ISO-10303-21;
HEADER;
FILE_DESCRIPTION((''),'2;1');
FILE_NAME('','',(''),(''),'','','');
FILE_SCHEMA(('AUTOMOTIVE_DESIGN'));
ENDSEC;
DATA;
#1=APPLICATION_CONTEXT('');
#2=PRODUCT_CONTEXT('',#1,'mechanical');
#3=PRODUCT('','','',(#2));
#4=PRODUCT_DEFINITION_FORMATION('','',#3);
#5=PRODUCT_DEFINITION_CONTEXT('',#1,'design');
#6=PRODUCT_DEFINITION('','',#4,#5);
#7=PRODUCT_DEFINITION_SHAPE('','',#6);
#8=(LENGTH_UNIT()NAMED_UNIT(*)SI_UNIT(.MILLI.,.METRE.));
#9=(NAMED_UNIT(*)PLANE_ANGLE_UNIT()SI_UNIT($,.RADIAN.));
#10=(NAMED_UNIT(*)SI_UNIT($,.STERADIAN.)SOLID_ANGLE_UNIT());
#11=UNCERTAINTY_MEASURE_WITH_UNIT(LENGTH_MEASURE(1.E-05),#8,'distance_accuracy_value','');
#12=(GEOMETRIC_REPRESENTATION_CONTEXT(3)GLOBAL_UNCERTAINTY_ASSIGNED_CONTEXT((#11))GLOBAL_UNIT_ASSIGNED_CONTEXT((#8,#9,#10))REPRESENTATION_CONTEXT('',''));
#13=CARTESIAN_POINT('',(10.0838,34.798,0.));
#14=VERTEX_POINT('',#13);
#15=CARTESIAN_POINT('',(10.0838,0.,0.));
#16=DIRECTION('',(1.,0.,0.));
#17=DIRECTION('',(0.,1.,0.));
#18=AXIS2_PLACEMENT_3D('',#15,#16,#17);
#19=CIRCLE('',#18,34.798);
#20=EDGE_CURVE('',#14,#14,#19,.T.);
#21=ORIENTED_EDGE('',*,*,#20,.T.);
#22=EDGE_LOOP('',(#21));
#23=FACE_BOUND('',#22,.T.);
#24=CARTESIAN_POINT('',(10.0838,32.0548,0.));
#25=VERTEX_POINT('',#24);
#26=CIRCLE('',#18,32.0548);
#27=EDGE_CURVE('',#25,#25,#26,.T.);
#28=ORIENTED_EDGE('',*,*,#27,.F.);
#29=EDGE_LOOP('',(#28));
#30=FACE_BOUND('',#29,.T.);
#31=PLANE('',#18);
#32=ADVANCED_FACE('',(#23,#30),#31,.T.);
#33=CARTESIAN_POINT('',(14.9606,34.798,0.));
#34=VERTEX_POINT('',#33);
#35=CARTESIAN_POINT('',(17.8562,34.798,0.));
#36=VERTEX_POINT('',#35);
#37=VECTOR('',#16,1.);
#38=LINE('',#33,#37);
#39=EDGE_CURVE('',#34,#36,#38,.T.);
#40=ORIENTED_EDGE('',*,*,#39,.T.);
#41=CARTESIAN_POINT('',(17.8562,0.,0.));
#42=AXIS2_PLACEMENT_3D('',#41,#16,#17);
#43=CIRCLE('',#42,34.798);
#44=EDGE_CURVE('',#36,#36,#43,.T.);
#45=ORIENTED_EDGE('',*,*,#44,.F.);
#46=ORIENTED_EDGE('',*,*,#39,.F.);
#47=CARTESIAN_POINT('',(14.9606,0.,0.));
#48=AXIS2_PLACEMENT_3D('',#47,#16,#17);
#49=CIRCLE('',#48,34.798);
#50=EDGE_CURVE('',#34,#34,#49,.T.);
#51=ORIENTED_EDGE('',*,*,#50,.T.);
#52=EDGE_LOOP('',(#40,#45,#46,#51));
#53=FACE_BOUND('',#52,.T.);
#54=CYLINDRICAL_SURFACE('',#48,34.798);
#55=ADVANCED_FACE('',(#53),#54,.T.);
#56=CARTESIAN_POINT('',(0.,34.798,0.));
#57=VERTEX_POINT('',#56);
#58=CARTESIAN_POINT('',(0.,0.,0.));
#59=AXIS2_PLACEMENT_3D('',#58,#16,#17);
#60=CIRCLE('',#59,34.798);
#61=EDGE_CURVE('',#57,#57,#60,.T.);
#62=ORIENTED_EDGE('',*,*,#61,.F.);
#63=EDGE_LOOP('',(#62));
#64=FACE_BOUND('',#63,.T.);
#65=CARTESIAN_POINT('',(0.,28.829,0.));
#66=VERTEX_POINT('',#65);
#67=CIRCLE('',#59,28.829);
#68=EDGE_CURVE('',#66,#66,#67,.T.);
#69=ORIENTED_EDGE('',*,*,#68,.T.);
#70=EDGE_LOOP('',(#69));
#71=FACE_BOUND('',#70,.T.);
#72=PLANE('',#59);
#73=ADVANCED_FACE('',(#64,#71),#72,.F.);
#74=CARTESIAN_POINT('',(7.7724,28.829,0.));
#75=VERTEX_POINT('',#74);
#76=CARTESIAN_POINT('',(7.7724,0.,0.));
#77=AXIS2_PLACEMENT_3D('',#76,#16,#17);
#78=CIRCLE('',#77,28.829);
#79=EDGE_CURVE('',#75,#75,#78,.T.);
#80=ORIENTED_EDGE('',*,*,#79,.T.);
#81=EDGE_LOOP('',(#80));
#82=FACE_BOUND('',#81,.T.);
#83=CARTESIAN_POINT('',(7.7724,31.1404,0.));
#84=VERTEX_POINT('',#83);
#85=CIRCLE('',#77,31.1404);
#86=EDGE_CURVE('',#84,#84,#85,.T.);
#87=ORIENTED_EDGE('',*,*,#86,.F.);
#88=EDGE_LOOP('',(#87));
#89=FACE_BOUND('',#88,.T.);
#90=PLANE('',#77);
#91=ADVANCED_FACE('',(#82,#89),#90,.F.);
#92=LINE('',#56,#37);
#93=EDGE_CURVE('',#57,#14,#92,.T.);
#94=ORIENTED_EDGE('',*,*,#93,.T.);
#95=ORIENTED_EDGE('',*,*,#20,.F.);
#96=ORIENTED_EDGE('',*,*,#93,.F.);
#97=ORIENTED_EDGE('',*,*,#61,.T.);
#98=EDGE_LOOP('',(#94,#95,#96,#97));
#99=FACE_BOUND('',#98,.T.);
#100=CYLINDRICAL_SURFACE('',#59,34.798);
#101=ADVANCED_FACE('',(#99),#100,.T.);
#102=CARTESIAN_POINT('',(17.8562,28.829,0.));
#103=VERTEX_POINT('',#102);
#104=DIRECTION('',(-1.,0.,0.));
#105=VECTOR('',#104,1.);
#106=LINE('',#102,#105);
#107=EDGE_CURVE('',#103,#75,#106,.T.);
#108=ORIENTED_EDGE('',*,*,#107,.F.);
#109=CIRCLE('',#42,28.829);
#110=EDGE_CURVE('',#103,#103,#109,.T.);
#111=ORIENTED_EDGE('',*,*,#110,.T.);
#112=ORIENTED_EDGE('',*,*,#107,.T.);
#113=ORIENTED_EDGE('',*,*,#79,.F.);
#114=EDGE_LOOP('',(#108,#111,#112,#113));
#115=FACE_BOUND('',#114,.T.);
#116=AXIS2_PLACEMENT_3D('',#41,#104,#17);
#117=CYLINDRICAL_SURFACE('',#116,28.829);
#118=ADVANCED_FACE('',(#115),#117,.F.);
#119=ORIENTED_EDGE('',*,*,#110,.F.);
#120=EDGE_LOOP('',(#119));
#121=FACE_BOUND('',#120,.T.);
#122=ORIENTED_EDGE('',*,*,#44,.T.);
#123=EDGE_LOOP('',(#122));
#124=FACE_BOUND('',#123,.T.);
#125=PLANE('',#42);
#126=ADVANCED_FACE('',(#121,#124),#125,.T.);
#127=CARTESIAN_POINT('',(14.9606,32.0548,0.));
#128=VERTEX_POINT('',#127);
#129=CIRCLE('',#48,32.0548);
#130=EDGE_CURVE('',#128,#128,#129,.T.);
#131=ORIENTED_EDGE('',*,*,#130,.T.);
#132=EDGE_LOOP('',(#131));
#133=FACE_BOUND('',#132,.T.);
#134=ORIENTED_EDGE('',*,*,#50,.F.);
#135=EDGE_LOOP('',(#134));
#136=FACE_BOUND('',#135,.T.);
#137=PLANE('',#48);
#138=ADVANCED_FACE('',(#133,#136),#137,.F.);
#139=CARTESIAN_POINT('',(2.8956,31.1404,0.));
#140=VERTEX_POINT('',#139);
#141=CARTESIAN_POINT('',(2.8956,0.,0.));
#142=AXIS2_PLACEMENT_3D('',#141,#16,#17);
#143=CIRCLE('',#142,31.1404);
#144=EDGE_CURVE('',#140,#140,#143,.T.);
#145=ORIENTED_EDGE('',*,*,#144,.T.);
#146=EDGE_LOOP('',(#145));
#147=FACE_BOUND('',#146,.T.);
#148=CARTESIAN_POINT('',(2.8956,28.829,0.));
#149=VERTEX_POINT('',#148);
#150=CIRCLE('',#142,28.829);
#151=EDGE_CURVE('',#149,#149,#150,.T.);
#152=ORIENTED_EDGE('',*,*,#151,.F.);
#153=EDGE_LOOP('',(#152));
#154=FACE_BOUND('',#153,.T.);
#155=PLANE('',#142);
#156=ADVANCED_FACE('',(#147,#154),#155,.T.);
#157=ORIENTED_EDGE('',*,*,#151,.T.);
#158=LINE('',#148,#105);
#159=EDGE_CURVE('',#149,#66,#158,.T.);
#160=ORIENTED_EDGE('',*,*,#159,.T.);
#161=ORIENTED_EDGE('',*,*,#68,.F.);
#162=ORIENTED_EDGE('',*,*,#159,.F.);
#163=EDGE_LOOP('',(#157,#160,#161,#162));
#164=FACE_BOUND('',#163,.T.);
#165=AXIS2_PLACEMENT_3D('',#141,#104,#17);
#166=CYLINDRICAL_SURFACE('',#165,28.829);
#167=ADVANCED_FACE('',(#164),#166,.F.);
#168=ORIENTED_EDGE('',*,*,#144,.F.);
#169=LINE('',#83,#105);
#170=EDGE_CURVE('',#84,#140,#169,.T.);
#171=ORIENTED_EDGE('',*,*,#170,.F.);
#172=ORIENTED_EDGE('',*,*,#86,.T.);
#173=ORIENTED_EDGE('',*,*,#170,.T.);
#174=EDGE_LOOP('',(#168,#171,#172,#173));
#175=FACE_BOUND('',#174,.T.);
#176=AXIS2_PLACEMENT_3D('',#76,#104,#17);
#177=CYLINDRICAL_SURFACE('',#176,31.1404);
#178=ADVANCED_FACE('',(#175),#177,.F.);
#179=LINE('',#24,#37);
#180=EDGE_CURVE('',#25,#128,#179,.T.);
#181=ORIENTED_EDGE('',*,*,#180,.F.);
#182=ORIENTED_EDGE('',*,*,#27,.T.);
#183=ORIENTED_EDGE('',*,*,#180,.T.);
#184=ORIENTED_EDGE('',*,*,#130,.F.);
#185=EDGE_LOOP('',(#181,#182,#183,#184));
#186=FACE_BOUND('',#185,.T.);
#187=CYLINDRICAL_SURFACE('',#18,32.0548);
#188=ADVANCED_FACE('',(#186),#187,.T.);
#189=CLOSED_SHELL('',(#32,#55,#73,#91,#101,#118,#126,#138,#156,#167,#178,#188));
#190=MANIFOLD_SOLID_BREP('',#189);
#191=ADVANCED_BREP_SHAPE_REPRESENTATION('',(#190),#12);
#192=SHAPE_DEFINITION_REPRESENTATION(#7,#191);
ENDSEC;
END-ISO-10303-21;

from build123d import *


with BuildPart() as part:
    # Sketch1 → Revolve1 (revolve)
    with BuildSketch(Plane.XY):
        Polygon((0, 28.829), (0, 34.798), (10.0838, 34.798), (10.0838, 32.0548), (14.9606, 32.0548), (14.9606, 34.798), (17.8562, 34.798), (17.8562, 28.829), (7.7724, 28.829), (7.7724, 31.1404), (2.8956, 31.1404), (2.8956, 28.829), align=None)
    revolve(axis=Axis((0, 0, 0), (1, 0, 0)))


solid = part.part
